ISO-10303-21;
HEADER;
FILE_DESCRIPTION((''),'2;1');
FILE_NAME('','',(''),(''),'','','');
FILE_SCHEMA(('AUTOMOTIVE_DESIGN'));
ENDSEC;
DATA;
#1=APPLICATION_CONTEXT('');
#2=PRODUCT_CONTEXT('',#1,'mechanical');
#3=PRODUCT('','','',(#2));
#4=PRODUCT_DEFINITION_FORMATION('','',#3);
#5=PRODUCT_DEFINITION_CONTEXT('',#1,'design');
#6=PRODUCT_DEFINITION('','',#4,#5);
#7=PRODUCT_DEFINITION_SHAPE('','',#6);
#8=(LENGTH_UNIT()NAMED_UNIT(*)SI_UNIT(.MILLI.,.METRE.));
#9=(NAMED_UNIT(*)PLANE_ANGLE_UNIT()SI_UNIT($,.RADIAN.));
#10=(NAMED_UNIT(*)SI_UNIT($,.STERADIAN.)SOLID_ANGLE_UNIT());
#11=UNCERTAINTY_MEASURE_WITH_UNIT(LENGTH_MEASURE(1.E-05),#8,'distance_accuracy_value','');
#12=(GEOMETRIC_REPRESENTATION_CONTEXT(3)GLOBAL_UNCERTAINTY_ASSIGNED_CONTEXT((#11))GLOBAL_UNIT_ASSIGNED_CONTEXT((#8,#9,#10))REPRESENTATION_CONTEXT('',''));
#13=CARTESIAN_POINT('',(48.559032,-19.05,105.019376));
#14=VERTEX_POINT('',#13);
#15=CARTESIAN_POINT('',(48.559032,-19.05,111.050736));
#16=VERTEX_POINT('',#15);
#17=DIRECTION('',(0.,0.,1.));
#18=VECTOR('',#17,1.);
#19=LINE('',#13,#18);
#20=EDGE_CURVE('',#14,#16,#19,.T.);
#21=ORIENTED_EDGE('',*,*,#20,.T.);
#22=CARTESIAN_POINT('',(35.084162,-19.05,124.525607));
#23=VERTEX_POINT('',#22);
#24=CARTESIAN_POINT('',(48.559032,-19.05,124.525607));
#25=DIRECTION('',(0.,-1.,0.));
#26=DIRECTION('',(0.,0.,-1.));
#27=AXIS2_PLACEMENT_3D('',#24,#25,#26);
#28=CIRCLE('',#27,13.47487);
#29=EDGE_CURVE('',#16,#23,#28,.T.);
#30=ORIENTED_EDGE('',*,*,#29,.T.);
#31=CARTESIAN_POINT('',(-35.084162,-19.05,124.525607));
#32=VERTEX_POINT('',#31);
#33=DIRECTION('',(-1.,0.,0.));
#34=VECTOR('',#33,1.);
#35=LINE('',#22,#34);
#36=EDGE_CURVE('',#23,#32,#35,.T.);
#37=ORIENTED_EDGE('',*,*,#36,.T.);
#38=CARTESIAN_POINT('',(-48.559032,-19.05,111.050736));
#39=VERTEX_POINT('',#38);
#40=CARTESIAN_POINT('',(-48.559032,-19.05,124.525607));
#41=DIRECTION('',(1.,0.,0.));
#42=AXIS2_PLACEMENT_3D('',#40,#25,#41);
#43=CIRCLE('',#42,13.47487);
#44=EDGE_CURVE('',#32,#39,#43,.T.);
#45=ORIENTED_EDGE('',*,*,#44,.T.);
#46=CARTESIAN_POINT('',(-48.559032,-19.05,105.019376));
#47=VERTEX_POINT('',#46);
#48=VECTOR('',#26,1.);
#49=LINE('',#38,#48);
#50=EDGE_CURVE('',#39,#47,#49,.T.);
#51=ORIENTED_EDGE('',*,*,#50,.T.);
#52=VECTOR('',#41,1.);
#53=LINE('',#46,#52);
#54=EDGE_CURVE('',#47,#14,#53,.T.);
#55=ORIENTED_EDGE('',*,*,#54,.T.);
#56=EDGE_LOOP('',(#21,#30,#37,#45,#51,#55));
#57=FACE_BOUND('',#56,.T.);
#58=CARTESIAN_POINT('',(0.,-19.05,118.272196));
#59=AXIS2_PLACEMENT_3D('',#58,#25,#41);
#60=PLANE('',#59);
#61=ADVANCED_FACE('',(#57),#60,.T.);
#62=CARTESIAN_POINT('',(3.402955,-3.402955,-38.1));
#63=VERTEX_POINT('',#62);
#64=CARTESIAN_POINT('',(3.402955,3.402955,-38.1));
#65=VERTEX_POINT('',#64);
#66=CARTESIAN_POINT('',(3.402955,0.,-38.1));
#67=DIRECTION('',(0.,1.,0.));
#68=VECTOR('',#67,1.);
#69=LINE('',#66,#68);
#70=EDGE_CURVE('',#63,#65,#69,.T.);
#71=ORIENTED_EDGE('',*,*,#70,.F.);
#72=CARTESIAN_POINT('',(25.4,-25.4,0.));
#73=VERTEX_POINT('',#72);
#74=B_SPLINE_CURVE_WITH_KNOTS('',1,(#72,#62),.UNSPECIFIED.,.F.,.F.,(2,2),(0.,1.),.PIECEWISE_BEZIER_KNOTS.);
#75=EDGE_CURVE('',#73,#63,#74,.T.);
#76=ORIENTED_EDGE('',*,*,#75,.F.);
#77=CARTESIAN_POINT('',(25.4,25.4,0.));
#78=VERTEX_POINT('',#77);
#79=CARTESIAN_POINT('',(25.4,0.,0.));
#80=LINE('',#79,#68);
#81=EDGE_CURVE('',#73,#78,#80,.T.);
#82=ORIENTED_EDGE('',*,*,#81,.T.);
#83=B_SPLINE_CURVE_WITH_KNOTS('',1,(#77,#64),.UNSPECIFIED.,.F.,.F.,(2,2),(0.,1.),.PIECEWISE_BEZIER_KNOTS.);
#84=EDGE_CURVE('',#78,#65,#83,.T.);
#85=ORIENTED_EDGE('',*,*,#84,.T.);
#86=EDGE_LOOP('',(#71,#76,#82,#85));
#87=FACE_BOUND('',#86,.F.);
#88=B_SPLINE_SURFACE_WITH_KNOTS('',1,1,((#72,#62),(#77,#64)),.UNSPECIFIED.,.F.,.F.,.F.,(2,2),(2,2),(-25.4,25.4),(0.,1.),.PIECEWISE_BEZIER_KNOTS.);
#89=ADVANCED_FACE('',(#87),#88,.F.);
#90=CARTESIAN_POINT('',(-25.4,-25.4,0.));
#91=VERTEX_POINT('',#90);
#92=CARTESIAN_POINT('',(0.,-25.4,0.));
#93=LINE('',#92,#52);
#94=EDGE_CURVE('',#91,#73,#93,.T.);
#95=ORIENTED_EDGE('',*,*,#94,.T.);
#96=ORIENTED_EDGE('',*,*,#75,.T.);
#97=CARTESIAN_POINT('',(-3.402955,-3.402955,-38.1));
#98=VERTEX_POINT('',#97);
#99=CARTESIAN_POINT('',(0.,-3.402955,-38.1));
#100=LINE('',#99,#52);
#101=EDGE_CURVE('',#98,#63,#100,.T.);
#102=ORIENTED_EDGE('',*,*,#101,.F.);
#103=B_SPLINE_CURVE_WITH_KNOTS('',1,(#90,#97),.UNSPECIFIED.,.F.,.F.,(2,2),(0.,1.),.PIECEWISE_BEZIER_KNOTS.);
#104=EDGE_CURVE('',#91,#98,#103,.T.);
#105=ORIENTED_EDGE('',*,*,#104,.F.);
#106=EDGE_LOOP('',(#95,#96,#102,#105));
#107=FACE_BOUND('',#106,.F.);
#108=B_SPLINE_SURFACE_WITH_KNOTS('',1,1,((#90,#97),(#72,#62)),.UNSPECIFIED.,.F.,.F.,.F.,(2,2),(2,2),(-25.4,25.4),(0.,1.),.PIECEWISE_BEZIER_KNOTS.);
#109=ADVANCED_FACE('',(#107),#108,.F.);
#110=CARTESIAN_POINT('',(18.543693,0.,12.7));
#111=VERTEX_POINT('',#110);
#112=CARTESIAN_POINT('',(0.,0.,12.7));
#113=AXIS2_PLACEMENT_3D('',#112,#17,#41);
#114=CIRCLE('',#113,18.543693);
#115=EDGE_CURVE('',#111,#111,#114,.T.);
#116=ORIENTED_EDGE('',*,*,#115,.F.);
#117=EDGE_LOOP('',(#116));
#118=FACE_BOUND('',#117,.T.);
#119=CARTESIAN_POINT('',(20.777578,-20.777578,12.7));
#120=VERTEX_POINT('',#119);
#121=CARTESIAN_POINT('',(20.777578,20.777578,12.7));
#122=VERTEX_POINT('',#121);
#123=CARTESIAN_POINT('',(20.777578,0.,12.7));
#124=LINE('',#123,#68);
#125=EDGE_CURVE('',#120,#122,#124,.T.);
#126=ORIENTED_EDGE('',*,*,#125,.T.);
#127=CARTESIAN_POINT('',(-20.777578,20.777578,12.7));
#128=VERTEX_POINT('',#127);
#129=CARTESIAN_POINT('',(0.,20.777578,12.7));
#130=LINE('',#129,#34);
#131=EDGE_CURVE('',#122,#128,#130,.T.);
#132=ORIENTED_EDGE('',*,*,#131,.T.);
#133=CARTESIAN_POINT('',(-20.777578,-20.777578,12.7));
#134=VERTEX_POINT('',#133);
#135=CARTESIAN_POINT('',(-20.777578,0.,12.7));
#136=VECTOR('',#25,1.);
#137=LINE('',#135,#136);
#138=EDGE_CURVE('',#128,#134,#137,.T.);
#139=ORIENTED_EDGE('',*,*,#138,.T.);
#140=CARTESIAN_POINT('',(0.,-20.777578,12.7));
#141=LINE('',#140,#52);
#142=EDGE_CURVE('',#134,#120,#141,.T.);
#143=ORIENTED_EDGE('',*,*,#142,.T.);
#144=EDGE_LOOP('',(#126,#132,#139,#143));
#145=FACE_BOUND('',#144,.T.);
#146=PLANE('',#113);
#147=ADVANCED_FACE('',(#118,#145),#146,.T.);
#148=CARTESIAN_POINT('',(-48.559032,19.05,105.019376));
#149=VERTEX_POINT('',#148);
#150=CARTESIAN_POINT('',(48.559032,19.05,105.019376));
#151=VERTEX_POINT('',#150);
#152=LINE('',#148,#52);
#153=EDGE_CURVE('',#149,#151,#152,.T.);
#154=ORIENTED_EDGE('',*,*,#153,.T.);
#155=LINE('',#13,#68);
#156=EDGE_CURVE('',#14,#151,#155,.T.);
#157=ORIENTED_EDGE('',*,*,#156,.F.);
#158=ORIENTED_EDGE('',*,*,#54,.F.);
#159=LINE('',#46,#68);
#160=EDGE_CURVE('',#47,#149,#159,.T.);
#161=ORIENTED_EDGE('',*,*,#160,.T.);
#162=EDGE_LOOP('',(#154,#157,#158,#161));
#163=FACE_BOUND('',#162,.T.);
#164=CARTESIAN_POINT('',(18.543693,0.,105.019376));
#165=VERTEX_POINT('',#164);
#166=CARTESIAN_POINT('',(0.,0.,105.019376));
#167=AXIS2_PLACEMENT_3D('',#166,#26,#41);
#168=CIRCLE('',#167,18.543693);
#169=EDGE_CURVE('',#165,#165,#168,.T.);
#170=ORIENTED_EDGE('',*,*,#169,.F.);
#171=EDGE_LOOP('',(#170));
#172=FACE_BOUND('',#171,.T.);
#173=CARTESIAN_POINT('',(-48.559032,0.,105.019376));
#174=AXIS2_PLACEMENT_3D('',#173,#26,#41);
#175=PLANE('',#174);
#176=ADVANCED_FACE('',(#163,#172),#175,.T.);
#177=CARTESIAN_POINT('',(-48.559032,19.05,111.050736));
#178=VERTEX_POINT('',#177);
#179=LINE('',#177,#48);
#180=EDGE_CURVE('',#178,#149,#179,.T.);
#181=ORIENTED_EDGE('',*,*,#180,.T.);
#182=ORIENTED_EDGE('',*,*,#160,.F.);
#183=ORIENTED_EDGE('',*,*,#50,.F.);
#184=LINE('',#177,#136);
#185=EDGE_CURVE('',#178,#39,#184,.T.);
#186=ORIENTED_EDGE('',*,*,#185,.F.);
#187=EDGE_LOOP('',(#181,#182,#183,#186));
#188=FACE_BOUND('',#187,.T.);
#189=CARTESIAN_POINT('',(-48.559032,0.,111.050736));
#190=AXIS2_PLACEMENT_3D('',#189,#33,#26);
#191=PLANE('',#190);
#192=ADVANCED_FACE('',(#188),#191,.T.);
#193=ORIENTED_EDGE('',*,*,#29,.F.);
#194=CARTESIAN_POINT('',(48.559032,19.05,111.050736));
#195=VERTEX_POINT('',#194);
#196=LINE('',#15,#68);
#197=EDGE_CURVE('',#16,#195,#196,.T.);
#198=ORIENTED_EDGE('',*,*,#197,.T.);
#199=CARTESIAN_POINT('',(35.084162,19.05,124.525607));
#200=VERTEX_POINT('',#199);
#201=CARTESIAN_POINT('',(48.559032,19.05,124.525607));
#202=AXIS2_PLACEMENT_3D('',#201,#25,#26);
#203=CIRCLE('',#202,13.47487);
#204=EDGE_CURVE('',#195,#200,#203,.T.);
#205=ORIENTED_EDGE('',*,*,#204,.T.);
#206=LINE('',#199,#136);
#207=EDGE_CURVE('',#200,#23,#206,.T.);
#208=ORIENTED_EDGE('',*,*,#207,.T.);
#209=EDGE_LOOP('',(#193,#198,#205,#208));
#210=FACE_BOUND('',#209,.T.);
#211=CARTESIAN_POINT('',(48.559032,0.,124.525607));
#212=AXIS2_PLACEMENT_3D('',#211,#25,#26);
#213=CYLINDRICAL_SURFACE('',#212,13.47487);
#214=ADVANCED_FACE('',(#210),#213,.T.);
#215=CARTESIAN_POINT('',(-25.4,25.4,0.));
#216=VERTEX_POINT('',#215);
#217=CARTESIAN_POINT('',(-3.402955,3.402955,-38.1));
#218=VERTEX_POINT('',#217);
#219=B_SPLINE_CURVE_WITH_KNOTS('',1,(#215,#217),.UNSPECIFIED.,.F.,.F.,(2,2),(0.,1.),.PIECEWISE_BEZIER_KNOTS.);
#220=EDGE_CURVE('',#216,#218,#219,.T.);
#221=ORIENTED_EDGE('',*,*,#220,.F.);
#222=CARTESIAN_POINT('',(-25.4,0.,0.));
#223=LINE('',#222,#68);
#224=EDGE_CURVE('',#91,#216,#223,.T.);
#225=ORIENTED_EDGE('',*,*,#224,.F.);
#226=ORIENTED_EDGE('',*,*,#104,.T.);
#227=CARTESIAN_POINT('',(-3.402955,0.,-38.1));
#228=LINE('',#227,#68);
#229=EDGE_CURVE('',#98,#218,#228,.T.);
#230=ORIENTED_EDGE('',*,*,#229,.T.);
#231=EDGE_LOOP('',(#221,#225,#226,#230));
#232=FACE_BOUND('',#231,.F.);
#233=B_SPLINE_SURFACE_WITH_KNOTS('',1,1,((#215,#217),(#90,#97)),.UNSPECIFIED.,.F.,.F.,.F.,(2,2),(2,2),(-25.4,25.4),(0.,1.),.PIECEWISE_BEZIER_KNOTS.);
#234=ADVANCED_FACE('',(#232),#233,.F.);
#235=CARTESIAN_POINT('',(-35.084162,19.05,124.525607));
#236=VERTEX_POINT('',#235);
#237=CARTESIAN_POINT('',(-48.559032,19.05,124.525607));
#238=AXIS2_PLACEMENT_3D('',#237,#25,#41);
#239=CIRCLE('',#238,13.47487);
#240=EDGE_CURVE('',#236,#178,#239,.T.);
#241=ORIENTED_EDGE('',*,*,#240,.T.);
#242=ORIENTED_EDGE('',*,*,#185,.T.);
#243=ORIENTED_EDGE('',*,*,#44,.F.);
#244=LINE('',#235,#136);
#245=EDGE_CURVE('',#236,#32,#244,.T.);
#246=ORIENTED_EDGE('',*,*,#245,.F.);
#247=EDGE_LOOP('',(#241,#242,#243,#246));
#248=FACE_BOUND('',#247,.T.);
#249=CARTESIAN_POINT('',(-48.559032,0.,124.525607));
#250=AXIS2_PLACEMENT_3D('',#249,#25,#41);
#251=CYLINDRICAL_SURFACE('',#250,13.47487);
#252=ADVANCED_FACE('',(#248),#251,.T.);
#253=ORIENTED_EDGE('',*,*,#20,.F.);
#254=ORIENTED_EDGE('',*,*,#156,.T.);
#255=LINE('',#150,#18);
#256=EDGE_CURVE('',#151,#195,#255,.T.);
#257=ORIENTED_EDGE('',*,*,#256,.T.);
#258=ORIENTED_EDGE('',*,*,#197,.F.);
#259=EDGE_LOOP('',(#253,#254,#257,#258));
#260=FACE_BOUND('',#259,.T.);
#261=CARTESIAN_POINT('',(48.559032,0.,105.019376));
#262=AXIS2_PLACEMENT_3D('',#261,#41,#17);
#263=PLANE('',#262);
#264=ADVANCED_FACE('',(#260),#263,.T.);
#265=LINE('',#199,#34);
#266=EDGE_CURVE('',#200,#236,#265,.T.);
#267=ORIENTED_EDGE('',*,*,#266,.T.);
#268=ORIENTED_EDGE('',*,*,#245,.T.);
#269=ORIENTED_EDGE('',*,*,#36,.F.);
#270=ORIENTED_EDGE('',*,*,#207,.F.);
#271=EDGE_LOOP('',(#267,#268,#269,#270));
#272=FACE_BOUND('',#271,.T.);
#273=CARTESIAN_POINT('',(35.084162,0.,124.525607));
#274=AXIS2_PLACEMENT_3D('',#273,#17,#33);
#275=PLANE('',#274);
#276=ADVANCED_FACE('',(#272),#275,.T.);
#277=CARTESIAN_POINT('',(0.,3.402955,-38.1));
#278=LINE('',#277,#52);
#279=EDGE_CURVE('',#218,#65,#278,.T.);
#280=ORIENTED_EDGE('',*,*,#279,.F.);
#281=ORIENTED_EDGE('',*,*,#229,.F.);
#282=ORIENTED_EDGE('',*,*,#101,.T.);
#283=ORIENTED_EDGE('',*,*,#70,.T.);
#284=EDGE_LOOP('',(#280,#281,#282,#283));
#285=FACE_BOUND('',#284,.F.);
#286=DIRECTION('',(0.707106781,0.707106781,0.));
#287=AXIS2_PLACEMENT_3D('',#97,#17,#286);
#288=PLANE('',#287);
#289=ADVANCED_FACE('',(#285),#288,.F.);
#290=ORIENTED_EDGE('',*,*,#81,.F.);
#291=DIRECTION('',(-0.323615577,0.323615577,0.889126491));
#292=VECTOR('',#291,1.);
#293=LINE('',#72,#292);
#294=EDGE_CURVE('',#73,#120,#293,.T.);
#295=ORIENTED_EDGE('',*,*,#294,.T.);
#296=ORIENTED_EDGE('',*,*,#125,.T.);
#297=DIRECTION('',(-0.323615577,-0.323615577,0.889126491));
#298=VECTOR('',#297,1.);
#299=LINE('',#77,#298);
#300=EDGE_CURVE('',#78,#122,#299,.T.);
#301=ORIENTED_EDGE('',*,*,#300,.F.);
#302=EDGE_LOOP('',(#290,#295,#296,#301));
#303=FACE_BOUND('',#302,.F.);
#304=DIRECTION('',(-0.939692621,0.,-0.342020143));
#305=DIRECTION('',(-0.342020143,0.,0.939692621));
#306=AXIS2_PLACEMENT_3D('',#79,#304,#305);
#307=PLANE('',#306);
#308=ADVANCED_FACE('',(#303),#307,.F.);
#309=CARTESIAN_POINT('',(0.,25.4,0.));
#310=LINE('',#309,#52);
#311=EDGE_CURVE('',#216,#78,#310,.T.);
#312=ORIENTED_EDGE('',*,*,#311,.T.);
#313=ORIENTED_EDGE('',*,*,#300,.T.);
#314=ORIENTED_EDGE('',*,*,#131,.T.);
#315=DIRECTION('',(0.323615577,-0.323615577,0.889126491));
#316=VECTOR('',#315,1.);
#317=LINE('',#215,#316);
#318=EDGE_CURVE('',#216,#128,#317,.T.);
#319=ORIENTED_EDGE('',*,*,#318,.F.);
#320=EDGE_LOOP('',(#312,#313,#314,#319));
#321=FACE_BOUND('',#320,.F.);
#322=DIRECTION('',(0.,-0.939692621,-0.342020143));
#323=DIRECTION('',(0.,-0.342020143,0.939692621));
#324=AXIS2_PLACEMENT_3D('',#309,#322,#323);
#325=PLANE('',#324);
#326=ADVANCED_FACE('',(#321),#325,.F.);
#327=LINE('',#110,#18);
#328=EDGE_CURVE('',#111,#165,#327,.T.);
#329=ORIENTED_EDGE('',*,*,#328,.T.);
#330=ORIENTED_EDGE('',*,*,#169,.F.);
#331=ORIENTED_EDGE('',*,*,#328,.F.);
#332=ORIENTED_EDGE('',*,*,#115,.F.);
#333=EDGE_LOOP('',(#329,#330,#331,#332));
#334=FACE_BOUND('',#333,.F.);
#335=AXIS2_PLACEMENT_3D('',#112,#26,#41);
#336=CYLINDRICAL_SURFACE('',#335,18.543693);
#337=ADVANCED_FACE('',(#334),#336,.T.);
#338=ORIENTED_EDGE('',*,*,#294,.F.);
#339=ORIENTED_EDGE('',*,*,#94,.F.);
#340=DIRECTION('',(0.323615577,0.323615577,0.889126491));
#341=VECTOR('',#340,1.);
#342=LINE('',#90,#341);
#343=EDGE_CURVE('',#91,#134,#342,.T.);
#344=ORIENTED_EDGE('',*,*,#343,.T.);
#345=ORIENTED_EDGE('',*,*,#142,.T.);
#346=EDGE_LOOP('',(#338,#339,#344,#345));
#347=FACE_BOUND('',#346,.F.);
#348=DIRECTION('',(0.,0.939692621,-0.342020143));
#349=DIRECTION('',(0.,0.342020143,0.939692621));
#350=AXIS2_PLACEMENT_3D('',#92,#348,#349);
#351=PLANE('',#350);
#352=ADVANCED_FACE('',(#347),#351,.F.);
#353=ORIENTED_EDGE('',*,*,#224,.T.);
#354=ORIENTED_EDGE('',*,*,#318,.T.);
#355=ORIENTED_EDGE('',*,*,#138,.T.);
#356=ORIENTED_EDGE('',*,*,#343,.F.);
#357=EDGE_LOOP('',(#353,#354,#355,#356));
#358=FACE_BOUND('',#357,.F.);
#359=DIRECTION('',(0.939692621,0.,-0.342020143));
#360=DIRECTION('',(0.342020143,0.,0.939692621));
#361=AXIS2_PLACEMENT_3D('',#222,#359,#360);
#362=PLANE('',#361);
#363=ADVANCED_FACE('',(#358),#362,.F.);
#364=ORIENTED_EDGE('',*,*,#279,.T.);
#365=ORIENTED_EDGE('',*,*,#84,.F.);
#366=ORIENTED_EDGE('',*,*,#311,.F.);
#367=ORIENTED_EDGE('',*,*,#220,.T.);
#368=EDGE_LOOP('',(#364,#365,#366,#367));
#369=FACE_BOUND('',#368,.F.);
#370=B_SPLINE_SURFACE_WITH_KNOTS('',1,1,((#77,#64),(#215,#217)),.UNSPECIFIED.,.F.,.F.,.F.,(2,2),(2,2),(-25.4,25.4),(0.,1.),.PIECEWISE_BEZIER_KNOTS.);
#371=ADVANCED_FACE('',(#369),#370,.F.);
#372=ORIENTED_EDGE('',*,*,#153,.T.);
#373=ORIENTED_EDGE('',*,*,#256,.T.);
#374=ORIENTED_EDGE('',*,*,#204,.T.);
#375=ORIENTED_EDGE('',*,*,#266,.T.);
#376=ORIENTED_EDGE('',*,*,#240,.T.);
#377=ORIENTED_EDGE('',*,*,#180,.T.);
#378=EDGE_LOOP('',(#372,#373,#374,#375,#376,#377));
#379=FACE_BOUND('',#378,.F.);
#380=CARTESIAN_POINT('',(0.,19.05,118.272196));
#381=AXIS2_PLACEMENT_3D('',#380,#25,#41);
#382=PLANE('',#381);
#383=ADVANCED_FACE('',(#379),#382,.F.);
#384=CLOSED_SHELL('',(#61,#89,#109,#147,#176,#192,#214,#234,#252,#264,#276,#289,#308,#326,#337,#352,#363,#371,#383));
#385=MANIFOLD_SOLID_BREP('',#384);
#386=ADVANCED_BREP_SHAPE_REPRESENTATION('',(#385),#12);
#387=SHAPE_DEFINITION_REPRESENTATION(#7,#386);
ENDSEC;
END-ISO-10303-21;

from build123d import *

# Parameters (mm, degrees)
F0_W      = 50.8
F0_H      = 50.8
F1_DEPTH  = 38.1
F1_TAPER  = 30
F1_FACE_W = 50.8
F1_FACE_H = 50.8
F2_DEPTH  = 12.7
F2_TAPER  = 20
F3_R      = 18.5436929907
F4_DEPTH  = 101.6
F6_DEPTH  = 19.05


with BuildPart() as f1:
    # F0 (on Top) → F1 (new body)
    with BuildSketch(Plane.XY):
        Rectangle(F0_W, F0_H)
    extrude(amount=-F1_DEPTH, taper=F1_TAPER)

    # F1_face (on face) → F2 (join)
    with BuildSketch(Plane.XY):
        Rectangle(F1_FACE_W, F1_FACE_H)
    extrude(amount=F2_DEPTH, taper=F2_TAPER)

    # F3 (on face) → F4 (join)
    with BuildSketch(Plane.XY.offset(12.7)):
        Circle(F3_R)
    extrude(amount=F4_DEPTH)

    # F5 (on Front) → F6 (join, symmetric)
    with BuildSketch(Plane.XZ):
        with BuildLine():
            ThreePointArc((48.5590323806, 111.0507363485), (58.0872045338, 134.0537787855), (35.0841620969, 124.5256066322))
            Line((35.0841620969, 124.5256066322), (-35.0841620969, 124.5256066322))
            ThreePointArc((-35.0841620969, 124.5256066322), (-58.0872045338, 134.0537787855), (-48.5590323806, 111.0507363485))
            Line((-48.5590323806, 111.0507363485), (-48.5590323806, 105.0193756819))
            Line((-48.5590323806, 105.0193756819), (48.5590323806, 105.0193756819))
            Line((48.5590323806, 105.0193756819), (48.5590323806, 111.0507363485))
        make_face()
    extrude(amount=F6_DEPTH, both=True)


solid = f1.part
